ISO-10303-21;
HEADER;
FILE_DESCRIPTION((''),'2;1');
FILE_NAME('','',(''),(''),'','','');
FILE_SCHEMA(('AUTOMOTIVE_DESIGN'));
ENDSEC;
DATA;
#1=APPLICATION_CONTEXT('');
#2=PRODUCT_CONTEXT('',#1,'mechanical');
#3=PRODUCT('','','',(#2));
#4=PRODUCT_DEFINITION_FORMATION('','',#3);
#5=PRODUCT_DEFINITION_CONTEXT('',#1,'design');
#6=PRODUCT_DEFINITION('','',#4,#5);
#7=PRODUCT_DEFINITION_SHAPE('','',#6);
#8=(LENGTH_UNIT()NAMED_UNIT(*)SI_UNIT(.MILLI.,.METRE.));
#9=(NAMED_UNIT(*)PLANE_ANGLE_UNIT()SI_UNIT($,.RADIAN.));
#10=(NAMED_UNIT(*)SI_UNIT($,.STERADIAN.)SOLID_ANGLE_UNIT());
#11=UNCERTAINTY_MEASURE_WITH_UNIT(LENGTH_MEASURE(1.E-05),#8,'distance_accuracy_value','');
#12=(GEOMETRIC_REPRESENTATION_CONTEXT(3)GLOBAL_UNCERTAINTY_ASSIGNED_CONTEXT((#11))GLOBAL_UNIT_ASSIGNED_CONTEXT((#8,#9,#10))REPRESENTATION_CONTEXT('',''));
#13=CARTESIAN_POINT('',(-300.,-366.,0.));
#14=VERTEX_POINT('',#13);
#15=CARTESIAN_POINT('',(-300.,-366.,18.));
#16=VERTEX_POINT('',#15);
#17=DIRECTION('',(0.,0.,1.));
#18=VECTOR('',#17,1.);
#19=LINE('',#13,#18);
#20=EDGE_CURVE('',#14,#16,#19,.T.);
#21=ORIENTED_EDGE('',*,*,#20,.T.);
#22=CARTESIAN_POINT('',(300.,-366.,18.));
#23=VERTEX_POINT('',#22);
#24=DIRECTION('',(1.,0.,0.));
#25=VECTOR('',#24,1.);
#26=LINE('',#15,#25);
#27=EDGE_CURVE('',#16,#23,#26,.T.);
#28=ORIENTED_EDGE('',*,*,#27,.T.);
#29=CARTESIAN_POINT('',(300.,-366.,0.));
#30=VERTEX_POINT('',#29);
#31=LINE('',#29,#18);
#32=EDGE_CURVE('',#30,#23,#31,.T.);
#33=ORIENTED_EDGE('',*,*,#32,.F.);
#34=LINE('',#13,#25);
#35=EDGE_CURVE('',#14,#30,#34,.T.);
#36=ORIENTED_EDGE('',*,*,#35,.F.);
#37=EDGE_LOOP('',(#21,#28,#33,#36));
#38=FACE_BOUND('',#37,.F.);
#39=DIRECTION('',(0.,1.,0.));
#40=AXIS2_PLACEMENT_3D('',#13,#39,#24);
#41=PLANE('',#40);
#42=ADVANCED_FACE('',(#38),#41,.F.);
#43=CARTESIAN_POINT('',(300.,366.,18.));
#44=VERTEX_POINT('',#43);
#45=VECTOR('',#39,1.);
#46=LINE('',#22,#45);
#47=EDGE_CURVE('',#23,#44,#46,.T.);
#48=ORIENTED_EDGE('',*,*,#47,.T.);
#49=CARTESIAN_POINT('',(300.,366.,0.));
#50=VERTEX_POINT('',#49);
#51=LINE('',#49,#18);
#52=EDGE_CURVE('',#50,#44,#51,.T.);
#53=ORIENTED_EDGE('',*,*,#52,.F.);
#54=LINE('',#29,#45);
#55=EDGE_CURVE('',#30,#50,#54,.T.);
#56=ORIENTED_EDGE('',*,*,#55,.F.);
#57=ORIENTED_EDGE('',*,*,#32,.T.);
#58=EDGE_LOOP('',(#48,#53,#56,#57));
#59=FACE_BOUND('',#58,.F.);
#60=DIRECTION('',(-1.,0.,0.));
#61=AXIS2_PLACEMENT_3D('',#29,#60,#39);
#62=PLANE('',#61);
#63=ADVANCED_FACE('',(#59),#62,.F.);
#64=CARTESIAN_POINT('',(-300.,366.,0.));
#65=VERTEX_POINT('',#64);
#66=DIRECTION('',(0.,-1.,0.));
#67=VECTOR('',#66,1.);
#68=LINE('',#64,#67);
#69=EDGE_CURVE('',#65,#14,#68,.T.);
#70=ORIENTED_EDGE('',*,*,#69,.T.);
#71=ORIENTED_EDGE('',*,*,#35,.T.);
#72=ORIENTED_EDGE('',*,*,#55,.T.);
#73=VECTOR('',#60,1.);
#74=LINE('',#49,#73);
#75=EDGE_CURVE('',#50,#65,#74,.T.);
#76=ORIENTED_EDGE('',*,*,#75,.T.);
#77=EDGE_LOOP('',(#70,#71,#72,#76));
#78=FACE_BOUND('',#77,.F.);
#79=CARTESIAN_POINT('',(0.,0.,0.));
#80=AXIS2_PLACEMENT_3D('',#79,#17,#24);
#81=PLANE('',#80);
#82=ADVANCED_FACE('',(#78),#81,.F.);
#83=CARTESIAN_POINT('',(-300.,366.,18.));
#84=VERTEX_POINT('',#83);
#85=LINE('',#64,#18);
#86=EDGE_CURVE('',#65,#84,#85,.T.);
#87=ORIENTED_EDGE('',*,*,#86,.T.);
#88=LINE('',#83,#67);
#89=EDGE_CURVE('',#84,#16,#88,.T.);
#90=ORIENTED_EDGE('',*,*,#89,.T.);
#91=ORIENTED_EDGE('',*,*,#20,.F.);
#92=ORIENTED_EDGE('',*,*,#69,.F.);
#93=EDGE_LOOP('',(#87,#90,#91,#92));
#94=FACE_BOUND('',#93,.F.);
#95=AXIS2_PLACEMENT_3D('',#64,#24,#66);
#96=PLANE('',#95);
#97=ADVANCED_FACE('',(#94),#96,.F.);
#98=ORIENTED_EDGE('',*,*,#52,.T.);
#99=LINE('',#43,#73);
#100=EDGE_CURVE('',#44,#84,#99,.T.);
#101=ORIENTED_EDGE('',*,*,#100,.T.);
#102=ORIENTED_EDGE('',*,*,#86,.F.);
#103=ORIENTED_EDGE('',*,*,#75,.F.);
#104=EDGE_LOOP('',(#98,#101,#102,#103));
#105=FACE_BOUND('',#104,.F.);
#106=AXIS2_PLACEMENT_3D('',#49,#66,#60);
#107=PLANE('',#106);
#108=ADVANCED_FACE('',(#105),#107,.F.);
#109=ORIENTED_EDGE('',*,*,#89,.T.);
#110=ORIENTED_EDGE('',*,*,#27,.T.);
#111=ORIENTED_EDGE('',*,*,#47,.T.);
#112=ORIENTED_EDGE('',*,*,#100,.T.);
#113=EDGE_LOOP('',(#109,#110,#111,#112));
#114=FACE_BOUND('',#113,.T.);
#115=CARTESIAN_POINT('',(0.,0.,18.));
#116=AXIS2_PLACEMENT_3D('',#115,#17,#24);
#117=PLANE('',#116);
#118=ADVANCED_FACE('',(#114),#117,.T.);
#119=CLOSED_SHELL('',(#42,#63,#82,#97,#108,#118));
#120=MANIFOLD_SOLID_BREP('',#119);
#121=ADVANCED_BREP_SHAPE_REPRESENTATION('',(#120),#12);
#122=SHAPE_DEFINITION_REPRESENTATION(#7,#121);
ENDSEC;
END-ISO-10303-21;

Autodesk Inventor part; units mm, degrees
ref_plane "YZ Plane" through (0, 0, 0) normal (1, 0, 0) x (0, 1, 0)
ref_plane "XZ Plane" through (0, 0, 0) normal (0, 1, 0) x (-1, 0, 0)
ref_plane "XY Plane" through (0, 0, 0) normal (0, 0, 1) x (1, 0, 0)
sketch "Sketch1" plane through (0, 0, 0) normal (0, 0, 1) x (1, 0, 0)
  line L0 (-300, -366) -> (300, -366)
  line L1 (300, -366) -> (300, 366)
  line L2 (300, 366) -> (-300, 366)
  line L3 (-300, 366) -> (-300, -366)
  line L4 (-300, -366) -> (300, 366) construction
  line L5 (300, -366) -> (-300, 366) construction
  point P0 (0, 0)
  dimension "d0" = 600
  dimension "d1" = 732
extrude "Extrusion1" add sketch "Sketch1" along normal blind 18
properties part number "podstawa"
